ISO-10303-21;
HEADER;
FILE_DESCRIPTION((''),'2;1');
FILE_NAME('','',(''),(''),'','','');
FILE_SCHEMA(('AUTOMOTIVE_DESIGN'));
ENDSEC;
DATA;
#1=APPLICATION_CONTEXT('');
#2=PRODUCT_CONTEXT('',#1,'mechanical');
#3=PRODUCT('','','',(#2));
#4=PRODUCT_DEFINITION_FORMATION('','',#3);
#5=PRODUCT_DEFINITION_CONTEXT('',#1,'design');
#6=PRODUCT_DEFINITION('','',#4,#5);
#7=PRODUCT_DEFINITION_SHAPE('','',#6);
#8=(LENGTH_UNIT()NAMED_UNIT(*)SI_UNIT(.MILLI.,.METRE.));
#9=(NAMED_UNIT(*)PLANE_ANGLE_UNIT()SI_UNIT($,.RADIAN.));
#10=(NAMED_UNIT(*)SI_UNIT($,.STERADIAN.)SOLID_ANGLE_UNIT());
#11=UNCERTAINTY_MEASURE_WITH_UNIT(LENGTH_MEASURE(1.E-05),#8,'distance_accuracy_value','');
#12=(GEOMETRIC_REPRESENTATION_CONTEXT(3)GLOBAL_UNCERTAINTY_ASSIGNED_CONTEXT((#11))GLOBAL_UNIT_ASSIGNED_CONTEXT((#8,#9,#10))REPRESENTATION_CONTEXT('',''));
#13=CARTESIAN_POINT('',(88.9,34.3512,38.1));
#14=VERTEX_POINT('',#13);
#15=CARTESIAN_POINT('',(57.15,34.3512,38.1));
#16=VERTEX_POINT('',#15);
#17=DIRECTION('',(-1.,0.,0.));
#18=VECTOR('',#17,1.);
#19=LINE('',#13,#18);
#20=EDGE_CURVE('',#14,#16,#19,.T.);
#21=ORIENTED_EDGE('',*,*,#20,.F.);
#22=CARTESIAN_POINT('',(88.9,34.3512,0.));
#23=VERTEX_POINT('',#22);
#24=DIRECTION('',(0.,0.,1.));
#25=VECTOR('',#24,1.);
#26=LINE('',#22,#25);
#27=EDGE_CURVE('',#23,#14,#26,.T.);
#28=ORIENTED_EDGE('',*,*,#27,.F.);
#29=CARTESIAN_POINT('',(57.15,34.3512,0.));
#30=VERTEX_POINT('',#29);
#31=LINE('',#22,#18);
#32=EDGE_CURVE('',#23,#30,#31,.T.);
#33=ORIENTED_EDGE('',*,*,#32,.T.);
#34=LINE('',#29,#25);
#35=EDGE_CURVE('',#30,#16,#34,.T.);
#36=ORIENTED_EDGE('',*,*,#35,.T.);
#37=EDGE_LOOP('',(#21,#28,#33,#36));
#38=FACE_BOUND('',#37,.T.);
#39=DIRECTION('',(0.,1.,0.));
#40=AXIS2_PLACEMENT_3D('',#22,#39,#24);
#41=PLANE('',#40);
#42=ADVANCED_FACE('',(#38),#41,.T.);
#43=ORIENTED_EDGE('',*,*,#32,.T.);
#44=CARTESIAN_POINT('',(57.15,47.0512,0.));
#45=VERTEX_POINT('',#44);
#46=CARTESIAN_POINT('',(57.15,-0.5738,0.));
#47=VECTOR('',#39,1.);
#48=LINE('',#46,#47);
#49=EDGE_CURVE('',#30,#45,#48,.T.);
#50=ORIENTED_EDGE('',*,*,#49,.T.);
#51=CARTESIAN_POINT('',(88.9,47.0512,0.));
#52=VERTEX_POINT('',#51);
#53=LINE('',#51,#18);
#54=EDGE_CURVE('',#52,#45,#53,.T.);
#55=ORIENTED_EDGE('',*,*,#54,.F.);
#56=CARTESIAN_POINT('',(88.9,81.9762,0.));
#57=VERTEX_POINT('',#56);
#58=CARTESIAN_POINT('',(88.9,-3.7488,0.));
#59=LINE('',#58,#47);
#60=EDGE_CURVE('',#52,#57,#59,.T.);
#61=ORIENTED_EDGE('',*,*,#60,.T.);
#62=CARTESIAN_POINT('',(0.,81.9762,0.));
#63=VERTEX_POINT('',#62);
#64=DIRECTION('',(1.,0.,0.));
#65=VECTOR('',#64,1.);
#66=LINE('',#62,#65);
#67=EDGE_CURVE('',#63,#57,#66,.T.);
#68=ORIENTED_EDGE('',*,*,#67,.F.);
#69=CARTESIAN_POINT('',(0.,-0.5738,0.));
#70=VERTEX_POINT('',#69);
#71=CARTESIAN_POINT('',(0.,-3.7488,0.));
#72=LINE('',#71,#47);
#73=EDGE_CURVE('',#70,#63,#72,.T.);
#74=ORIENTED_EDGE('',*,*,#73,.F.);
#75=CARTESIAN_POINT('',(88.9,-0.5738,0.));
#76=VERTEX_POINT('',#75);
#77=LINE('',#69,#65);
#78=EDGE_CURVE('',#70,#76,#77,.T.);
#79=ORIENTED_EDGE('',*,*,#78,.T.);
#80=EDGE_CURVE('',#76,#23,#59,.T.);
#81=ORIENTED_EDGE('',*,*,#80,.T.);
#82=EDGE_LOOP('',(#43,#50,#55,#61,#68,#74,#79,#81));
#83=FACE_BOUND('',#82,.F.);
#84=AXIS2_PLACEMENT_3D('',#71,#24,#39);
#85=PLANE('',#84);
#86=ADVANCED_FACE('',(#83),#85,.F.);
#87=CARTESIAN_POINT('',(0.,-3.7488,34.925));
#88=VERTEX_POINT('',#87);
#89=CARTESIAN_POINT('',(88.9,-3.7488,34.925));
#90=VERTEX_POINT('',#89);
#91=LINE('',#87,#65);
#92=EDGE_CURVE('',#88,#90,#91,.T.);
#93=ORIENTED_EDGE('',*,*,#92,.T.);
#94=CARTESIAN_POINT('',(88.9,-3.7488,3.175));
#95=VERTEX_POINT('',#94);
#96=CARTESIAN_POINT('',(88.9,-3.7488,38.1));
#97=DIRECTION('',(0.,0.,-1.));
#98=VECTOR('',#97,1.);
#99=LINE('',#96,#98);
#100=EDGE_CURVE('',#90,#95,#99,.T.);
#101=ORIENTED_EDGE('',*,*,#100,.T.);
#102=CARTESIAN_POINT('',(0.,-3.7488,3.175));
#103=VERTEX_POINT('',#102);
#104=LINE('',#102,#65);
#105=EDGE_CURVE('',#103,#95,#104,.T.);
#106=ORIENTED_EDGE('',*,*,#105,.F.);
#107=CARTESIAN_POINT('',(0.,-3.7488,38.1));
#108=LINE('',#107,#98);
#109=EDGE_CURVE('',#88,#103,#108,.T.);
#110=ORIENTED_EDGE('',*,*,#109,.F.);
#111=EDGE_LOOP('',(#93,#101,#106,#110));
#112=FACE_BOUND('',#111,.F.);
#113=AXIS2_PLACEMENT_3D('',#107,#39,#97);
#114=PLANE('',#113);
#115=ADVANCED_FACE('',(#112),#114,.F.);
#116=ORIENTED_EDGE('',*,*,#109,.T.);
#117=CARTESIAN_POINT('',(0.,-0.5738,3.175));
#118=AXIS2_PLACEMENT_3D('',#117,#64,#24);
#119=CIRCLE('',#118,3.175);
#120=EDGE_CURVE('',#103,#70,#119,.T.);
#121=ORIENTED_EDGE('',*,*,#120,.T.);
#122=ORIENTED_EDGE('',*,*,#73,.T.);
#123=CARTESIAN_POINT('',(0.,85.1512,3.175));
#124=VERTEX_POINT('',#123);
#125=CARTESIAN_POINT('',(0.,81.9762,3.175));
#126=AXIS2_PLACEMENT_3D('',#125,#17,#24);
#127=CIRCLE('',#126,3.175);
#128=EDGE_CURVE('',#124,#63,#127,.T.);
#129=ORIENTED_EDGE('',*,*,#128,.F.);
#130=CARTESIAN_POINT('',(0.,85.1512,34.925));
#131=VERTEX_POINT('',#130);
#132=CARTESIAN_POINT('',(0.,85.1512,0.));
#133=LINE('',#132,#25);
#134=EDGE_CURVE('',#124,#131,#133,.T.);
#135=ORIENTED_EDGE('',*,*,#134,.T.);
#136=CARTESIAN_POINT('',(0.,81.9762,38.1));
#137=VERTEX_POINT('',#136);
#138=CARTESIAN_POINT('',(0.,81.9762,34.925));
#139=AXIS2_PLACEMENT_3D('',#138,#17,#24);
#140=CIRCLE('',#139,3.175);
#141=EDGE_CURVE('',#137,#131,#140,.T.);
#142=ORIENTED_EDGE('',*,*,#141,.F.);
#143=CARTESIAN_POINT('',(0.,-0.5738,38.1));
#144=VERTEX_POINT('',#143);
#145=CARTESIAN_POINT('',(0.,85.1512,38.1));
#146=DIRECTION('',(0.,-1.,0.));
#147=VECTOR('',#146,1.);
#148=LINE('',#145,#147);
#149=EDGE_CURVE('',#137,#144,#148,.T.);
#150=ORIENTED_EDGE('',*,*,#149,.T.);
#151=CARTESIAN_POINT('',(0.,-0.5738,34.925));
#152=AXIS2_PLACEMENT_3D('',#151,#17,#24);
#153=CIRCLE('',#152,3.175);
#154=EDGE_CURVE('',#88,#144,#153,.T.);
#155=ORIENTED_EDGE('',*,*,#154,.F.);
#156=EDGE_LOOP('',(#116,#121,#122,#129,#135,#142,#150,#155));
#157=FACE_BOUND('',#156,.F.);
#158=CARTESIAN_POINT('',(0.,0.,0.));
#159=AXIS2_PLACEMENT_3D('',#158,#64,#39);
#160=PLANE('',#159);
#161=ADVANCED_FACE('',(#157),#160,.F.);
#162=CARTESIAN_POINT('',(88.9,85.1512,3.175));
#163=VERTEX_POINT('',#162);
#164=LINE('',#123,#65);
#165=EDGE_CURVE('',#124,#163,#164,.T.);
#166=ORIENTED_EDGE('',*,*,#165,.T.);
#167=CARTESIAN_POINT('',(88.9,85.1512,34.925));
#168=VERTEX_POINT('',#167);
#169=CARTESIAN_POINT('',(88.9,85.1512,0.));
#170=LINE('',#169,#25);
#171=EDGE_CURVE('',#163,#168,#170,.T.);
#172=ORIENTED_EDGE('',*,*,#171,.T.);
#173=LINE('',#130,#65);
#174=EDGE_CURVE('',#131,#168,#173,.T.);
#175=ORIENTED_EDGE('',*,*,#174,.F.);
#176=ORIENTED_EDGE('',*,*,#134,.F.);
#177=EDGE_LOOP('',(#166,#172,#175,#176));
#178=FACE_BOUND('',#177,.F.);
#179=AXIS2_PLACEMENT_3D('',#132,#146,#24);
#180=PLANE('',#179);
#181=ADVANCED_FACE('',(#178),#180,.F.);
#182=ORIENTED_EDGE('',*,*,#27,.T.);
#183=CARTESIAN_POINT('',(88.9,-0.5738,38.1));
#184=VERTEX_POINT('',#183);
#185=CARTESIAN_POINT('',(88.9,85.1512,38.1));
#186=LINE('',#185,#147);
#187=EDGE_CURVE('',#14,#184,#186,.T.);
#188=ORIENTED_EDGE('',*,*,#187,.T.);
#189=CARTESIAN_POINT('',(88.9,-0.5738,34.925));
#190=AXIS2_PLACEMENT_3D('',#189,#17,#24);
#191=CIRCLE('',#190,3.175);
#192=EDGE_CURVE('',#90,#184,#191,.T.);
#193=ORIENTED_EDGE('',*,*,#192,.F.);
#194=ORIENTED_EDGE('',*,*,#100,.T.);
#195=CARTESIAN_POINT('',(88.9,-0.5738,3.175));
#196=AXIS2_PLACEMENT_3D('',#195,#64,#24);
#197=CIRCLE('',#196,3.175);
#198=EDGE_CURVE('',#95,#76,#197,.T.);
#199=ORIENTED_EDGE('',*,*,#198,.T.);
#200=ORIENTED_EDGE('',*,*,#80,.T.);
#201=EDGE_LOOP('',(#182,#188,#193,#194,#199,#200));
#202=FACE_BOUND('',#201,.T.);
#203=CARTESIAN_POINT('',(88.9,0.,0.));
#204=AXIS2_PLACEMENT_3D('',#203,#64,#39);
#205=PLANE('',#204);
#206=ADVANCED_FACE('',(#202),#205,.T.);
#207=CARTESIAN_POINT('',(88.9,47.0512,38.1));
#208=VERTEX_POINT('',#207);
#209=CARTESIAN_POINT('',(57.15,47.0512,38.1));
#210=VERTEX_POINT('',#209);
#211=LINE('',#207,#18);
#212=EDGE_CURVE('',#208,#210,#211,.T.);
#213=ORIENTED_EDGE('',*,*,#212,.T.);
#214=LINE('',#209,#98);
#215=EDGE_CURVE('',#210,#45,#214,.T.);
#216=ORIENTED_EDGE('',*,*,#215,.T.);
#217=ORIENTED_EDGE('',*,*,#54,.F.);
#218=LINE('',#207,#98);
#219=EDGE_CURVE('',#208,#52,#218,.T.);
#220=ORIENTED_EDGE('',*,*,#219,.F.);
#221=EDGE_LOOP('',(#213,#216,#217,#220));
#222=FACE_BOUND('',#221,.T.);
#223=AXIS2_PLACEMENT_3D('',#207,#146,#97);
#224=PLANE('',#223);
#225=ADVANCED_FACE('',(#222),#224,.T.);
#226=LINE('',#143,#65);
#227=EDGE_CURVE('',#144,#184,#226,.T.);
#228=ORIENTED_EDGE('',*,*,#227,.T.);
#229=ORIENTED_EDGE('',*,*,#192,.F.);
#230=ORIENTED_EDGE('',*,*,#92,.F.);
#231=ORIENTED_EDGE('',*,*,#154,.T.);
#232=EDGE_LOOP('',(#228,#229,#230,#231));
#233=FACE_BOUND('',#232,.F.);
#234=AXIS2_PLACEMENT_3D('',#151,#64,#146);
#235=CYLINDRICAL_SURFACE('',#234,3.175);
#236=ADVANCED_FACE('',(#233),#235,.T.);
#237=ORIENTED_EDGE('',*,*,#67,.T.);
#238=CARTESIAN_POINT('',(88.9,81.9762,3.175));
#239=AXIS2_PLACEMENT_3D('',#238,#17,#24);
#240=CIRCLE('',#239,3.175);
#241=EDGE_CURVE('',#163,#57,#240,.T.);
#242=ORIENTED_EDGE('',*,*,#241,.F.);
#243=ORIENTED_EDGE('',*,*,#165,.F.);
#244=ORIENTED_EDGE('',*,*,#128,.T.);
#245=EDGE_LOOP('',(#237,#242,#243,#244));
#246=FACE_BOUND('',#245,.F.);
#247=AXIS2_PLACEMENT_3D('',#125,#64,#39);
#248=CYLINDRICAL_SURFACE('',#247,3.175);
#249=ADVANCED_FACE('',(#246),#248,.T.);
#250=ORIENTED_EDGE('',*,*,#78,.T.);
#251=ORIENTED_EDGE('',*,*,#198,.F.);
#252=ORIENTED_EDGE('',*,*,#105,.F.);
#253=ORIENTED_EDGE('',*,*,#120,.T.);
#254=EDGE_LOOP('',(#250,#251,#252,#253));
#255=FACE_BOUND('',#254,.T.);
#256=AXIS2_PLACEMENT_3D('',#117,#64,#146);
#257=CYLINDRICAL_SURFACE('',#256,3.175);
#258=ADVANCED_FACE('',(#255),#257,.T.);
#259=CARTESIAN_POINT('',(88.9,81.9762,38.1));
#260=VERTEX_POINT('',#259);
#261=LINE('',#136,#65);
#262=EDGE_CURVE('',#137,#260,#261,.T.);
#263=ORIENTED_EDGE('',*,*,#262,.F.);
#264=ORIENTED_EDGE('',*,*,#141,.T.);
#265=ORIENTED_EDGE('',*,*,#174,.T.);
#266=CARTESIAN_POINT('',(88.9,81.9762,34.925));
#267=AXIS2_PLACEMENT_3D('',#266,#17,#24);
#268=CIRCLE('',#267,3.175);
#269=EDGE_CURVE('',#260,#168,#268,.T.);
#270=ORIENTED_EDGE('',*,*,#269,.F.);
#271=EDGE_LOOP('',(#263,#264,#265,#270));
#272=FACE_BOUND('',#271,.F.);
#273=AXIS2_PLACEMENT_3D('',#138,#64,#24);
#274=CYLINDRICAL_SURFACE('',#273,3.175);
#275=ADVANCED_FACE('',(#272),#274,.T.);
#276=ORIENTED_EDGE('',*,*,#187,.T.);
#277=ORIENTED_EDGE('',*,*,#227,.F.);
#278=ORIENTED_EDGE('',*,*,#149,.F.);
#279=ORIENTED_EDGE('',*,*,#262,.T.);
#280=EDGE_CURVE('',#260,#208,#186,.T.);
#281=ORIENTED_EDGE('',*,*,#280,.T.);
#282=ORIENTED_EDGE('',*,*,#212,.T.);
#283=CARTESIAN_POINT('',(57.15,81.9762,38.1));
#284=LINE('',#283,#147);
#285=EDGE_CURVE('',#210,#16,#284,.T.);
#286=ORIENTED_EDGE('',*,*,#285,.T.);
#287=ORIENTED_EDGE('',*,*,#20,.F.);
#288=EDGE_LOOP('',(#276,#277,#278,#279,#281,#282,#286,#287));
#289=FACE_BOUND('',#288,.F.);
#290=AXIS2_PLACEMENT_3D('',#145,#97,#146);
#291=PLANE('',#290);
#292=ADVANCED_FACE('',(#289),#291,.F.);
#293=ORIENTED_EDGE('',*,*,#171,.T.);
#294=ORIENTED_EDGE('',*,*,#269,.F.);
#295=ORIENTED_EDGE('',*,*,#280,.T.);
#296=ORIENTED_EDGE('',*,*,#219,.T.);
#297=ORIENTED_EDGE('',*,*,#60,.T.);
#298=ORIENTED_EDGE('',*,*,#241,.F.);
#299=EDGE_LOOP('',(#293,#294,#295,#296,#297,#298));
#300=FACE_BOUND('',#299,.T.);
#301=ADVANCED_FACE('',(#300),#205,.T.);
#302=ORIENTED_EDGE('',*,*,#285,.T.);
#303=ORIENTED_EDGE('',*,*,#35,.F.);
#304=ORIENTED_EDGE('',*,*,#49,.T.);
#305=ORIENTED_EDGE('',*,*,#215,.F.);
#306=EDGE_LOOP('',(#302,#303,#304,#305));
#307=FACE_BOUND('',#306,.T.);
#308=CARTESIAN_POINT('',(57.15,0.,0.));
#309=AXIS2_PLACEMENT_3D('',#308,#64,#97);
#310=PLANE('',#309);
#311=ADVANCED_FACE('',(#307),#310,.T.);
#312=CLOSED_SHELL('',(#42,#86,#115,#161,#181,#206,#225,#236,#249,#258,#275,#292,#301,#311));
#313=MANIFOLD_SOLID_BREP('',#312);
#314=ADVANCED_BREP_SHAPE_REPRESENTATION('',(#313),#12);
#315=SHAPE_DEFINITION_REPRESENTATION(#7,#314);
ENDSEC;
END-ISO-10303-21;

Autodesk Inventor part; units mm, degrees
ref_plane "YZ Plane" through (0, 0, 0) normal (1, 0, 0) x (0, 1, 0)
ref_plane "XZ Plane" through (0, 0, 0) normal (0, 1, 0) x (-1, 0, 0)
ref_plane "XY Plane" through (0, 0, 0) normal (0, 0, 1) x (1, 0, 0)
sketch "Sketch1" plane through (0, 0, 0) normal (1, 0, 0) x (0, 1, 0)
  line L0 (-3.7488, 0) -> (85.1512, 0)
  line L1 (85.1512, 0) -> (85.1512, 38.1)
  line L2 (85.1512, 38.1) -> (-3.7488, 38.1)
  line L3 (-3.7488, 38.1) -> (-3.7488, 0)
  point P0 (0, 0)
  dimension "d0" = 88.9
  dimension "d1" = 38.1
extrude "Extrusion1" add sketch "Sketch1" along normal blind 88.9
fillet "Fillet1" radius 3.175 4 edges at (44.45, 85.1512, 38.1) (44.45, 85.1512, 0) (44.45, -3.7488, 0) (44.45, -3.7488, 38.1)
sketch "Sketch2" plane through (88.9, 0, 0) normal (1, 0, 0) x (0, 0, -1)
  line L0 (-34.925, -3.7488) -> (-3.175, -3.7488) projected
  line L1 (0, -0.5738) -> (0, 81.9762) projected
  line L2 (-3.175, 85.1512) -> (-34.925, 85.1512) projected
  line L3 (-38.1, 81.9762) -> (-38.1, -0.5738) projected
  line L4 (-38.1, 47.0512) -> (0, 47.0512)
  line L5 (0, 47.0512) -> (0, 34.3512)
  line L6 (0, 34.3512) -> (-38.1, 34.3512)
  line L7 (-38.1, 34.3512) -> (-38.1, 47.0512)
  point P0 (0, 0)
  dimension "d5" = 38.1
  dimension "d6" = 38.1
extrude "Extrusion2" cut sketch "Sketch2" against normal blind 31.75
properties part number "2x4x3.5" material "Ash"
